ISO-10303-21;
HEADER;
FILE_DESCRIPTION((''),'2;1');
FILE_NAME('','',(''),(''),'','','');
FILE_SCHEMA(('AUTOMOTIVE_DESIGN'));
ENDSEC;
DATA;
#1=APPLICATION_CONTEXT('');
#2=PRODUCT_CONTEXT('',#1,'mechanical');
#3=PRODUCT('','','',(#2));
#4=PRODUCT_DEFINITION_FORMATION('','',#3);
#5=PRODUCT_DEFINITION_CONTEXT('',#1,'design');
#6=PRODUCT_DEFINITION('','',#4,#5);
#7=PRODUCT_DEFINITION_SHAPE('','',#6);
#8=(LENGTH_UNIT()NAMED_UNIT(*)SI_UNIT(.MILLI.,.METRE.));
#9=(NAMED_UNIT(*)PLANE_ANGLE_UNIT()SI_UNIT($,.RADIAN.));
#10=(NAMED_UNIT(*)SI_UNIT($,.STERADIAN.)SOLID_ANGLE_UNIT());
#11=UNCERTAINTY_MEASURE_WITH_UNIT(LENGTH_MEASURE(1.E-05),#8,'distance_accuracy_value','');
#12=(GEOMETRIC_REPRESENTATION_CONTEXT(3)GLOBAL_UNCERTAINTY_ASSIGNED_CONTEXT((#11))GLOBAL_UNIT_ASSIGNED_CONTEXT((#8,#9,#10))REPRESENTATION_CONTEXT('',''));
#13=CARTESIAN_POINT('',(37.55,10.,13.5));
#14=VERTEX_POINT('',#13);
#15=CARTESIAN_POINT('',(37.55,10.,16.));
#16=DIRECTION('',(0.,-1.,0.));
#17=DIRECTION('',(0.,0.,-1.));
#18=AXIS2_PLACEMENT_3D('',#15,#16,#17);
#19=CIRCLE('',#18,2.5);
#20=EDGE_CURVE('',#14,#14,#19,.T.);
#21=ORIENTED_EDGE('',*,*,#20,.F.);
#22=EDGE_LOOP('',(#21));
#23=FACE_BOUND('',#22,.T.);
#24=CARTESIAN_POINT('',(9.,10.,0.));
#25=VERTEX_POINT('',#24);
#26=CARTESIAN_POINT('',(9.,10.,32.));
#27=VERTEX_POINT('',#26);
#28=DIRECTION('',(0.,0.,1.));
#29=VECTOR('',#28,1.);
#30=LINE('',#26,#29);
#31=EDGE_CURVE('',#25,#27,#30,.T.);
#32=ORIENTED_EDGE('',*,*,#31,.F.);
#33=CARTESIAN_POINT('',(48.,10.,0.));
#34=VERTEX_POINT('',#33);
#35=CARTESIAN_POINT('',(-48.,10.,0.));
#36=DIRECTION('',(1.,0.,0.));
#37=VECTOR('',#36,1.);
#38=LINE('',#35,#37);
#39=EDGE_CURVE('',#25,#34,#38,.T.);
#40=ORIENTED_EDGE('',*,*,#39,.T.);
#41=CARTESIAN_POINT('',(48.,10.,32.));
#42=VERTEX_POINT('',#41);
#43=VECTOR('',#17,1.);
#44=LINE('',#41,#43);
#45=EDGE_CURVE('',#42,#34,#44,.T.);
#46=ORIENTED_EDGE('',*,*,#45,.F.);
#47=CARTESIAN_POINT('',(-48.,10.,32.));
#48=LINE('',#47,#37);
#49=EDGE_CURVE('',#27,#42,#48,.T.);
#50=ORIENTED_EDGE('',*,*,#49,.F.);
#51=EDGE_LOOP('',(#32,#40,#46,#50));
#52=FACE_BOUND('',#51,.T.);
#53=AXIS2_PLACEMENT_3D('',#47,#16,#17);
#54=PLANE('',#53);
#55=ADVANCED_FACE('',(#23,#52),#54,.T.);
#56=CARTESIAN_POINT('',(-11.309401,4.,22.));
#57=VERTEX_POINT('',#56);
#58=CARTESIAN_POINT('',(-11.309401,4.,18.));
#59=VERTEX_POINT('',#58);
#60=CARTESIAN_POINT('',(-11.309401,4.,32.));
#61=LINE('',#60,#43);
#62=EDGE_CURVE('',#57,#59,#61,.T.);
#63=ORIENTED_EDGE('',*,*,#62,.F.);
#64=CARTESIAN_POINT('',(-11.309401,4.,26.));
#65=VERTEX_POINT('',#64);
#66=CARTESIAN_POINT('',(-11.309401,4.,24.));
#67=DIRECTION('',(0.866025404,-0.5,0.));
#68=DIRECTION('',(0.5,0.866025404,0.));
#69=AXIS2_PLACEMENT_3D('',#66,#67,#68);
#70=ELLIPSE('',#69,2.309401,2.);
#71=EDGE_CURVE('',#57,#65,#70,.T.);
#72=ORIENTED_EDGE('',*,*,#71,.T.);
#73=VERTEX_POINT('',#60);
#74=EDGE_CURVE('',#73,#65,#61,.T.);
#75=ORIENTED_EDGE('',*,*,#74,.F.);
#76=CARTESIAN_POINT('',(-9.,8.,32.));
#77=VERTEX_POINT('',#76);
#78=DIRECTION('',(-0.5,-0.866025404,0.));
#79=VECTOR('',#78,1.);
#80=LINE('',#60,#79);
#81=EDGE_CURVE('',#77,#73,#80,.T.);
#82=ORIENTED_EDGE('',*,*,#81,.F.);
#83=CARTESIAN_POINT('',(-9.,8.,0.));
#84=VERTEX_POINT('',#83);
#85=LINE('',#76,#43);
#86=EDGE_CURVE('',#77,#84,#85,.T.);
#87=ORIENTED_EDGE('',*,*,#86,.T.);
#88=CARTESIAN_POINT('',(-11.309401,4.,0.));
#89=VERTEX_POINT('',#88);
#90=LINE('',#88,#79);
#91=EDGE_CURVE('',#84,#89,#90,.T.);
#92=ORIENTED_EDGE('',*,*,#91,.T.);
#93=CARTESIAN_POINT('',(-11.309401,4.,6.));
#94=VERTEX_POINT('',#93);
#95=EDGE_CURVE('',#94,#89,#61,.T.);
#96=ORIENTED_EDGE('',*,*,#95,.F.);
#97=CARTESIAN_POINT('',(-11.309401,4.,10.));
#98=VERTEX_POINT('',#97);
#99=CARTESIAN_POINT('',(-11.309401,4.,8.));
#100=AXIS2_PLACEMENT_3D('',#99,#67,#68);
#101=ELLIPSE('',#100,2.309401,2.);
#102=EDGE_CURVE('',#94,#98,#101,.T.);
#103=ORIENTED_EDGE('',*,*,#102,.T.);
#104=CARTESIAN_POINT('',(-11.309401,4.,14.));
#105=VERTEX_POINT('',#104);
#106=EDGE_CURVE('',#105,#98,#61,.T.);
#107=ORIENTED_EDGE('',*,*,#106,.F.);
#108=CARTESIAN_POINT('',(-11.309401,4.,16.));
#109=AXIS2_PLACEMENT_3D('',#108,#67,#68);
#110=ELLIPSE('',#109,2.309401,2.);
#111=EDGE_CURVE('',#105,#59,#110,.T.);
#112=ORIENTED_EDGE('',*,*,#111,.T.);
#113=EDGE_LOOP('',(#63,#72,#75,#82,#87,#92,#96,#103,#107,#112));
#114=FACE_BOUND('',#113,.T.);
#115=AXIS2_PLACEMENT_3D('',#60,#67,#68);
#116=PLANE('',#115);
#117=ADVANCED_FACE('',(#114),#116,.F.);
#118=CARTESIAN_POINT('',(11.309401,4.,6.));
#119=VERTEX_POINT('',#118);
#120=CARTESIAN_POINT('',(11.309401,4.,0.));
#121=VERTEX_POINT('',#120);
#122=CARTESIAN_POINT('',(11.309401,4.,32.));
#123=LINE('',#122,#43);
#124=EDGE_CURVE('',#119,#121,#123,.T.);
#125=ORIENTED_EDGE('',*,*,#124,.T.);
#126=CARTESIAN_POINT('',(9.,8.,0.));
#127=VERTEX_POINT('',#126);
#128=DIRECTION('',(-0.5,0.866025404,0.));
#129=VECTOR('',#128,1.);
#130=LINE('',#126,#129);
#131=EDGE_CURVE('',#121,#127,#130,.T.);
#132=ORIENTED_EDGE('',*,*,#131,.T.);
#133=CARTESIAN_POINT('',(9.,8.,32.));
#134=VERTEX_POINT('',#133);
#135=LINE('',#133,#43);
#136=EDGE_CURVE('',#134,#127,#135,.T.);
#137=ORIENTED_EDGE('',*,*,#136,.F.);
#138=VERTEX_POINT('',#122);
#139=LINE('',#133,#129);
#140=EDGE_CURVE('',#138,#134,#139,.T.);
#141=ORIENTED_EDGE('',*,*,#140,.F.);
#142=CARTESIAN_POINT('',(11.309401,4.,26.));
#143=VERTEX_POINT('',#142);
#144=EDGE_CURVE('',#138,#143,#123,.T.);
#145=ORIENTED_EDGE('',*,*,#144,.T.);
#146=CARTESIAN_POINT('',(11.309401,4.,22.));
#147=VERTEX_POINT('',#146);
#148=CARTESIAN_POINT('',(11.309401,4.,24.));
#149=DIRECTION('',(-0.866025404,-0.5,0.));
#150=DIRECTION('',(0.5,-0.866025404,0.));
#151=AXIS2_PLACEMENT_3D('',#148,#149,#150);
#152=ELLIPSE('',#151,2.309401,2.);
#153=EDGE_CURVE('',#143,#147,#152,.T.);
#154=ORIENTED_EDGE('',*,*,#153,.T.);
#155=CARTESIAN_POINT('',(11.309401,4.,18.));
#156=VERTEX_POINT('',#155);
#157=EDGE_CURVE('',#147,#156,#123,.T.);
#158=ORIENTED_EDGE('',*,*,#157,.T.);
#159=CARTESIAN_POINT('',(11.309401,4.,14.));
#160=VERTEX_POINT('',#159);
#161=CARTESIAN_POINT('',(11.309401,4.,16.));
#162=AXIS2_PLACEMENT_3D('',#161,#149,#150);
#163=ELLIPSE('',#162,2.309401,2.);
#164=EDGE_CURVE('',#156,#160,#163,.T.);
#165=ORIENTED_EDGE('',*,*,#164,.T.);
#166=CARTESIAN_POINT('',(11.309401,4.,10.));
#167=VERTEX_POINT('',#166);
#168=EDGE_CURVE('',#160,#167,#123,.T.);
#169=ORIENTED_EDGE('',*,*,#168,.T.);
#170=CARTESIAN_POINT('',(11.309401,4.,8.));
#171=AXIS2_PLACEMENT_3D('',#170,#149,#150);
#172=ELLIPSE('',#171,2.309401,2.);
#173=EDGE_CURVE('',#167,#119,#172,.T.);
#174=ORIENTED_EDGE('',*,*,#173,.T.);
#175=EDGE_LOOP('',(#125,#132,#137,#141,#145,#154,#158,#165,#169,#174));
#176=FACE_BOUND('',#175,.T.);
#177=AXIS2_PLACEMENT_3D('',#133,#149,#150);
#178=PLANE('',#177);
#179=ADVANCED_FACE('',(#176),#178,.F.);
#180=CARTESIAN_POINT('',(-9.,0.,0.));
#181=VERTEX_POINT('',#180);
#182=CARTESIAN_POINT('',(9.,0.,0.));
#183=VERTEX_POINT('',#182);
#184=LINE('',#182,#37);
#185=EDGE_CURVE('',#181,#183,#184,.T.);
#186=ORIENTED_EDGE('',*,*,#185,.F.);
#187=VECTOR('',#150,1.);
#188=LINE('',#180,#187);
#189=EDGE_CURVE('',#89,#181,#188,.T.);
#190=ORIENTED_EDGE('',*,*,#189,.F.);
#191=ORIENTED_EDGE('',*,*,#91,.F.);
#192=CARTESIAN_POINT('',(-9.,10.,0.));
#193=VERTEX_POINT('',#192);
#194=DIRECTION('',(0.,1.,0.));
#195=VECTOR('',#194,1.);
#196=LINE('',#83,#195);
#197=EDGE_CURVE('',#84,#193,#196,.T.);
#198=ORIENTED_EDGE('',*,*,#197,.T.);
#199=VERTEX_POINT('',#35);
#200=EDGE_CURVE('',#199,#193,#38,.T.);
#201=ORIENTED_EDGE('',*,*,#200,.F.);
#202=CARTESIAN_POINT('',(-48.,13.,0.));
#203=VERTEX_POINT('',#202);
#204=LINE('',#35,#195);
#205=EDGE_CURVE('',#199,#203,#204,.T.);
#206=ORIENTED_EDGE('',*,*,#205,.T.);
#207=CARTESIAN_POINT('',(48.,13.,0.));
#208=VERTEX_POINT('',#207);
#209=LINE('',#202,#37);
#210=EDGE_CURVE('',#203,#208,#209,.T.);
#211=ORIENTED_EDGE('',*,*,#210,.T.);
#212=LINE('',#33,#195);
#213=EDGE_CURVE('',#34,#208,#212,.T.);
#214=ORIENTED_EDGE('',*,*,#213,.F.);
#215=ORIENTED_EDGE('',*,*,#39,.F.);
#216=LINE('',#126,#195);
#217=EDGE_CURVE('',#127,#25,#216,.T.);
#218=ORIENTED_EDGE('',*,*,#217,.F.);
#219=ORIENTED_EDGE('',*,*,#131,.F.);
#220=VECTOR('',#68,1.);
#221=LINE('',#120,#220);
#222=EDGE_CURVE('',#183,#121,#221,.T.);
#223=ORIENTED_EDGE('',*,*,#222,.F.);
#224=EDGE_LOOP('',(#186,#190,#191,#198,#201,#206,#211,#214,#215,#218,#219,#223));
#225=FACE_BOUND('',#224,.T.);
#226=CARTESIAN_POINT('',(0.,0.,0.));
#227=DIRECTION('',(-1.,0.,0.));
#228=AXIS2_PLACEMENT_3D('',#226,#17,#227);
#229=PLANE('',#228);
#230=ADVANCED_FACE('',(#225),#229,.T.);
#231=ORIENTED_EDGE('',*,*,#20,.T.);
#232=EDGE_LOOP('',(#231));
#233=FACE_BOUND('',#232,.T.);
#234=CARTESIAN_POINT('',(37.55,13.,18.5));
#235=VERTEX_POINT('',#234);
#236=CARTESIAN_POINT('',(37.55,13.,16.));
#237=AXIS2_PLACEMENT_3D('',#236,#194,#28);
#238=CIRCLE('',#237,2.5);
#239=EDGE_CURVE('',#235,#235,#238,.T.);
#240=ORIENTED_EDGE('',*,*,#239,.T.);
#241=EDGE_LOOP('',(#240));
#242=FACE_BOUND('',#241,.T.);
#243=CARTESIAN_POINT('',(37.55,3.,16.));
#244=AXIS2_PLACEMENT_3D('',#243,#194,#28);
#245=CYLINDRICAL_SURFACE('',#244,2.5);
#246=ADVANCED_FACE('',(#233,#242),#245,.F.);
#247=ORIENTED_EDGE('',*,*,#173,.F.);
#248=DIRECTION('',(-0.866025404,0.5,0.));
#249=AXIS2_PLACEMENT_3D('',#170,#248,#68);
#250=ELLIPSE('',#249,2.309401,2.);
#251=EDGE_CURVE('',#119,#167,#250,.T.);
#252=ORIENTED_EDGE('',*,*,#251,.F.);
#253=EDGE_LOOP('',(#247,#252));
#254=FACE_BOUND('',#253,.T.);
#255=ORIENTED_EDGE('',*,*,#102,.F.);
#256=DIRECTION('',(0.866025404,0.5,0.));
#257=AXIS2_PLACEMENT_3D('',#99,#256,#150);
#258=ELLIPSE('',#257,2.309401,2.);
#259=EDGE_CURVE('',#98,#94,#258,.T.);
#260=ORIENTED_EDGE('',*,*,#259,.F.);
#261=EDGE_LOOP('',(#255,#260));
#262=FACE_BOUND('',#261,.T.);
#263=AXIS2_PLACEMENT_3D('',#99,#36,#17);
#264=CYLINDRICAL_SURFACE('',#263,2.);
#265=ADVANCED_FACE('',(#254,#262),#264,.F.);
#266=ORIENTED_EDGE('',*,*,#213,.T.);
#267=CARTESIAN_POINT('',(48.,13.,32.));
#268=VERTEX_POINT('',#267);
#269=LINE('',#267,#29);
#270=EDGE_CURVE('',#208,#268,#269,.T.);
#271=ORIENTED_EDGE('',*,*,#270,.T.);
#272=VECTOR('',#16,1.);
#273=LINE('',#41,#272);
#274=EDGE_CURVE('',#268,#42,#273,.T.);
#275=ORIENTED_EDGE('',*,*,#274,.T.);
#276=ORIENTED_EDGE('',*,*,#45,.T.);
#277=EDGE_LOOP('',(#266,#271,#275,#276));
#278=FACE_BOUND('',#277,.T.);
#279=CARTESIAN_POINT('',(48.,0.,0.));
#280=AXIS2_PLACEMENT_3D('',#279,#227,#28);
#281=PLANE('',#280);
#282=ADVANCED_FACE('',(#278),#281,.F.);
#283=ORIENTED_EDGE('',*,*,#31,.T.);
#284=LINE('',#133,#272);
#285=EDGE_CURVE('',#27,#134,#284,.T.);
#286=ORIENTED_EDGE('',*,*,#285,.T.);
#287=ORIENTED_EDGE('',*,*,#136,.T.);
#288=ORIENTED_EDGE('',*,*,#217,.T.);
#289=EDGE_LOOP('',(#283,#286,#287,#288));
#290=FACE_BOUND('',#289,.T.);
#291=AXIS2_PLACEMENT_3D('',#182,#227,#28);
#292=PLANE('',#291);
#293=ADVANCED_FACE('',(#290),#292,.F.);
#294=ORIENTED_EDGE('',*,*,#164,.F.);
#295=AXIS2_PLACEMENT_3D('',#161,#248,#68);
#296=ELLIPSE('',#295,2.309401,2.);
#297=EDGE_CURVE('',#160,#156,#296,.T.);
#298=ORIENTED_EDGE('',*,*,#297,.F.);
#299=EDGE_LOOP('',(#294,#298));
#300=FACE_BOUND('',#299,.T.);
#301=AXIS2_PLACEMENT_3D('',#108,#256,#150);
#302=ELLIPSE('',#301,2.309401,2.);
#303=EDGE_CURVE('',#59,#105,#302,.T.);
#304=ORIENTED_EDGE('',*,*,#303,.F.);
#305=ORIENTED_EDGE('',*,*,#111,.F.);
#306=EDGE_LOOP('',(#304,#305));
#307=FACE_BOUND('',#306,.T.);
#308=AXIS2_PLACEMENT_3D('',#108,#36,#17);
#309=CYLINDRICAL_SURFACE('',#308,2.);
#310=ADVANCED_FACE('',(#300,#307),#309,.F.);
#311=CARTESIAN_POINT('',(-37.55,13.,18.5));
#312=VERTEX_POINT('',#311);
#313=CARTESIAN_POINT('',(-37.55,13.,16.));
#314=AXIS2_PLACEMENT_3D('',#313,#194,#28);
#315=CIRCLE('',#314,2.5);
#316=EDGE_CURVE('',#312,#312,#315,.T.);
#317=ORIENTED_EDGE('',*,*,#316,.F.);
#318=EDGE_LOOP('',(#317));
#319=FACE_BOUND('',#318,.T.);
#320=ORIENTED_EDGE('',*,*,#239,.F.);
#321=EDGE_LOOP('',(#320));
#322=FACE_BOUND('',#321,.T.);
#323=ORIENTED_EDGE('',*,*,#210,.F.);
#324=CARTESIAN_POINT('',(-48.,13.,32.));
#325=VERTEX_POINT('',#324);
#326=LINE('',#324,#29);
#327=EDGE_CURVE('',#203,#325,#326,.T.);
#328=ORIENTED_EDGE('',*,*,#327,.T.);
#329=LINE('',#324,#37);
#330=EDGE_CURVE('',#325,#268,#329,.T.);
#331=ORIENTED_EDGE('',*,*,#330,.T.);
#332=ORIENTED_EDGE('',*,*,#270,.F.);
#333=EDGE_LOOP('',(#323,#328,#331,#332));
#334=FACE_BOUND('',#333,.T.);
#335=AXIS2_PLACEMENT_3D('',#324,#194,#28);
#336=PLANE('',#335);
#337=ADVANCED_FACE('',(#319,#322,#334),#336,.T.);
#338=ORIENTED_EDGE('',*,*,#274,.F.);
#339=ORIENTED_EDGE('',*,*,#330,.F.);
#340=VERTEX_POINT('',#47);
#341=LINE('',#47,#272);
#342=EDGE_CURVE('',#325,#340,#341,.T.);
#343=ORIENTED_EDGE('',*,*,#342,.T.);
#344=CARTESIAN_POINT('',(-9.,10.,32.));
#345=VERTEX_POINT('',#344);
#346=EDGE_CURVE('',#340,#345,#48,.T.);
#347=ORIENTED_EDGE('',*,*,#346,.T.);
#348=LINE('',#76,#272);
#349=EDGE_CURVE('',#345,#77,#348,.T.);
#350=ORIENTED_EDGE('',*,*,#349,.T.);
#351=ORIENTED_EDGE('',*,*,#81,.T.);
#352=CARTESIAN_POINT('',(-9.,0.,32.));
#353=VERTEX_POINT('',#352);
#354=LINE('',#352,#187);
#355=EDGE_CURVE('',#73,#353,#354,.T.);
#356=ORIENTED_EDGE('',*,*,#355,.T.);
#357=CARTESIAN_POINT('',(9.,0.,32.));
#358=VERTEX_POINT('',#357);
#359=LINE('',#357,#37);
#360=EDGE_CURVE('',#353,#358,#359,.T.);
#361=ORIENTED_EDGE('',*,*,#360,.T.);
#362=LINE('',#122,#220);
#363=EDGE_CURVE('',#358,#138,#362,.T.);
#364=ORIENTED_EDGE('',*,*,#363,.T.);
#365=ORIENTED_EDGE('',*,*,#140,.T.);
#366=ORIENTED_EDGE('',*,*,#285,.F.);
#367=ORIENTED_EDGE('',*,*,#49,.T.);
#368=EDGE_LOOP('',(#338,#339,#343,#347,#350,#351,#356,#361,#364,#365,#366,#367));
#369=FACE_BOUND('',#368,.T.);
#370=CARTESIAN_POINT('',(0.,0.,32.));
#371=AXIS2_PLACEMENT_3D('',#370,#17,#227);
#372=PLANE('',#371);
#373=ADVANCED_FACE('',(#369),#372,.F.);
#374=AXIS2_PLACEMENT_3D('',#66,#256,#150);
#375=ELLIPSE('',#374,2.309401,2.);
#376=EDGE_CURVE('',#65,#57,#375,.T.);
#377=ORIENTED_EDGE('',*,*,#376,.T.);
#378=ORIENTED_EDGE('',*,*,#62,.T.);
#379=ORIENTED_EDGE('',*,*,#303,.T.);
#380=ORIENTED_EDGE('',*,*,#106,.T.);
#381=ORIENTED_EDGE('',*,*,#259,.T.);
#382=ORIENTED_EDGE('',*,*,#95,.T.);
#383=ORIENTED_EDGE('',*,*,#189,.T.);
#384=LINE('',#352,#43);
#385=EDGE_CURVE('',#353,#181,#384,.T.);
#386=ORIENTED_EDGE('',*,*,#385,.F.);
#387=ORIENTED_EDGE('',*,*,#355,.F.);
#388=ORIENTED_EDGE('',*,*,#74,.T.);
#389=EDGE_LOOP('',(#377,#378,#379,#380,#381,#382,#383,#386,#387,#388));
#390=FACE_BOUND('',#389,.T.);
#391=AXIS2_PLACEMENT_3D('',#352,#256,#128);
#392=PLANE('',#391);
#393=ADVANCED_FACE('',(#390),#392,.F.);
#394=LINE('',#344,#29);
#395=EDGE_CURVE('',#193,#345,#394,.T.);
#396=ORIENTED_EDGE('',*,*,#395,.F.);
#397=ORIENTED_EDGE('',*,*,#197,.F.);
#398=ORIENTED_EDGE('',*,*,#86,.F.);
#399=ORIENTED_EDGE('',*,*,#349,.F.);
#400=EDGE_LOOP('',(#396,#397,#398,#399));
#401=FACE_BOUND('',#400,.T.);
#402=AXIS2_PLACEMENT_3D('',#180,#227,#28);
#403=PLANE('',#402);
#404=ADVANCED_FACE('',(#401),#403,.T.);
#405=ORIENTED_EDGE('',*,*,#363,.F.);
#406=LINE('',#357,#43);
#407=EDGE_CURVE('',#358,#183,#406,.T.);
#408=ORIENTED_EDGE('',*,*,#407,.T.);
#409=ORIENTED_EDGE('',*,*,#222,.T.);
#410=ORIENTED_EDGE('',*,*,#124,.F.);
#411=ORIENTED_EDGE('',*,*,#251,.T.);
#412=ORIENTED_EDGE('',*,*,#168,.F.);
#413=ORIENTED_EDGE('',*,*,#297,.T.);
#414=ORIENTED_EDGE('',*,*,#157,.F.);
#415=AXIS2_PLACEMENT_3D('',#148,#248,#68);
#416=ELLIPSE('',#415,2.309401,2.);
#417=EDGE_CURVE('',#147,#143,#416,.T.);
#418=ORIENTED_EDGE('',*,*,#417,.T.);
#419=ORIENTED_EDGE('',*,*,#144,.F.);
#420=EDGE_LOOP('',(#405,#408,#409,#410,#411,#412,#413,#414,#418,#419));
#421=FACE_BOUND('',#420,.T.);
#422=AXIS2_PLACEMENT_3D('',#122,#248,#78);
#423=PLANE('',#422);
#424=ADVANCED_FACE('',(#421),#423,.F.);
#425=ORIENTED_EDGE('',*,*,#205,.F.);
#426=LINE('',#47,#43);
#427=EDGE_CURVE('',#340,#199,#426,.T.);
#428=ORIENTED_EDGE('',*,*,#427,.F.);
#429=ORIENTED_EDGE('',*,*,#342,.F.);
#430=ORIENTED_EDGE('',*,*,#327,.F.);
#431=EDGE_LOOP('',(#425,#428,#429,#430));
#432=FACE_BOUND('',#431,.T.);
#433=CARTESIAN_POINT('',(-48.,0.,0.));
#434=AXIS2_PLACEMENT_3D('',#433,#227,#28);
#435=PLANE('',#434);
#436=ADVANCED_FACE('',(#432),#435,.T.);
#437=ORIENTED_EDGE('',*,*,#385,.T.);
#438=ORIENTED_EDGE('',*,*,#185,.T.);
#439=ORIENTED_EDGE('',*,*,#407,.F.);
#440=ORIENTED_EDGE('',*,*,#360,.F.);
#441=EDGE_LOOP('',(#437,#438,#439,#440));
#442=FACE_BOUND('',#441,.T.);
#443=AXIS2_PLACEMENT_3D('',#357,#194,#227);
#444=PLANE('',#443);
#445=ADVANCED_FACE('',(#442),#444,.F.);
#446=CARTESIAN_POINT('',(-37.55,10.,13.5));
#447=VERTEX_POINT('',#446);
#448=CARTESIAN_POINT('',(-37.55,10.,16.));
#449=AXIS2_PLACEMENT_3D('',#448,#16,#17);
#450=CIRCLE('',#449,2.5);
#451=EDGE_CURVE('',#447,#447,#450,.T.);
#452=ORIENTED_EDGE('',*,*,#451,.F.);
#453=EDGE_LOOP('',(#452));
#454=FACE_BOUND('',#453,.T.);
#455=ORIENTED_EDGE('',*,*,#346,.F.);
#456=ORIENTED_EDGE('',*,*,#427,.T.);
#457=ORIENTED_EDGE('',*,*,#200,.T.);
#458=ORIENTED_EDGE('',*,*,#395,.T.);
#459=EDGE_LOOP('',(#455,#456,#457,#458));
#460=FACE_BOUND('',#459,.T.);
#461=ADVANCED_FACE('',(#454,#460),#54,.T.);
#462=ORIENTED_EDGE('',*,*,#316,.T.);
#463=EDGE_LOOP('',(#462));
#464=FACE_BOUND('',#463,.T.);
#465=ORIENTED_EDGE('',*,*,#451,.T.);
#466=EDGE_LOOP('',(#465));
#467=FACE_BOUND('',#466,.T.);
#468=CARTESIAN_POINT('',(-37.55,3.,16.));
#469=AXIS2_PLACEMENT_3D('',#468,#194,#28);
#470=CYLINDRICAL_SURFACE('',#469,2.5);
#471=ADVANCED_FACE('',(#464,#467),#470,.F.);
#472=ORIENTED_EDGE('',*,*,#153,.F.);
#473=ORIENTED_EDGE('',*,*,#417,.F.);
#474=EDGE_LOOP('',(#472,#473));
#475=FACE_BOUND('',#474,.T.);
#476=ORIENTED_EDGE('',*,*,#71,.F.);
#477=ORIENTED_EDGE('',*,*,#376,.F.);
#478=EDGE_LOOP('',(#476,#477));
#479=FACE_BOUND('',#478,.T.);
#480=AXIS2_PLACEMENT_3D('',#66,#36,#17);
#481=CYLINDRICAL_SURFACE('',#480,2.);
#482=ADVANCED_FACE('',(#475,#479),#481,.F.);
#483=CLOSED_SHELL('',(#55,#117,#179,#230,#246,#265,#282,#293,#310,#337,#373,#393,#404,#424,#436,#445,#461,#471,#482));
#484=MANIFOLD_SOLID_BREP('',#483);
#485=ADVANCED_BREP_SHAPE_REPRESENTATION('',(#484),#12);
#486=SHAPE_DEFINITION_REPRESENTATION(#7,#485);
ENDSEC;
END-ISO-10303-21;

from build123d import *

# Parameters (mm, degrees)
BOSS_EXTRUDE1_DEPTH      = 32
SKETCH2_R                = 2
CUT_EXTRUDE1_DEPTH       = 35.869794274
LPATTERN1_COUNT          = 3
LPATTERN1_PITCH          = 8
BOSS_EXTRUDE2_DEPTH      = 9
BOSS_EXTRUDE2_DEPTH_BACK = 9
SKETCH3_W                = 32
SKETCH3_H                = 2
BOSS_EXTRUDE3_DEPTH      = 48
BOSS_EXTRUDE3_DEPTH_BACK = 48
SKETCH4_W                = 32
SKETCH4_H                = 3
SKETCH5_R                = 2.5
CUT_EXTRUDE2_DEPTH       = 10


with BuildPart() as part:
    # Sketch1 → Boss-Extrude1 (new body)
    with BuildSketch(Plane.XY):
        Polygon((9, 0), (-9, 0), (-11.309401077, 4), (-9, 8), (9, 8), (11.309401077, 4), align=None)
    extrude(amount=BOSS_EXTRUDE1_DEPTH)

    # Sketch2 → Cut-Extrude1 (cut, symmetric)
    with BuildSketch(Plane(origin=(0, 0, 0), x_dir=(0, 0, -1), z_dir=(1, 0, 0))):
        with Locations((-24, 4)):
            Circle(SKETCH2_R)
    cut_extrude1 = extrude(amount=CUT_EXTRUDE1_DEPTH, both=True, mode=Mode.SUBTRACT)

    # LPattern1: Cut-Extrude1 ×3
    with Locations(*[(0, 0, -i * LPATTERN1_PITCH) for i in range(1, LPATTERN1_COUNT)]):
        add(cut_extrude1, mode=Mode.SUBTRACT)

    # Sketch3 → Boss-Extrude2 (add, two sides: drawn at the far end of the back side and taken through both)
    with BuildSketch(Plane(origin=(0, 0, 0), x_dir=(0, 0, -1), z_dir=(1, 0, 0)).offset(-BOSS_EXTRUDE2_DEPTH_BACK)):
        with Locations((-16, 9)):
            Rectangle(SKETCH3_W, SKETCH3_H)
    extrude(amount=BOSS_EXTRUDE2_DEPTH + BOSS_EXTRUDE2_DEPTH_BACK)

    # Sketch4 → Boss-Extrude3 (add, two sides: drawn at the far end of the back side and taken through both)
    with BuildSketch(Plane(origin=(0, 0, 0), x_dir=(0, 0, -1), z_dir=(1, 0, 0)).offset(-BOSS_EXTRUDE3_DEPTH_BACK)):
        with Locations((-16, 11.5)):
            Rectangle(SKETCH4_W, SKETCH4_H)
    extrude(amount=BOSS_EXTRUDE3_DEPTH + BOSS_EXTRUDE3_DEPTH_BACK)

    # Sketch5 → Cut-Extrude2 (cut)
    with BuildSketch(Plane(origin=(0, 13, 0), x_dir=(1, 0, 0), z_dir=(0, 1, 0))):
        with Locations(Location((-37.55, -16, 0), (0, 0, 270))):
            Circle(SKETCH5_R)
        with Locations(Location((37.55, -16, 0), (0, 0, 270))):
            Circle(SKETCH5_R)
    extrude(amount=-CUT_EXTRUDE2_DEPTH, mode=Mode.SUBTRACT)


solid = part.part
